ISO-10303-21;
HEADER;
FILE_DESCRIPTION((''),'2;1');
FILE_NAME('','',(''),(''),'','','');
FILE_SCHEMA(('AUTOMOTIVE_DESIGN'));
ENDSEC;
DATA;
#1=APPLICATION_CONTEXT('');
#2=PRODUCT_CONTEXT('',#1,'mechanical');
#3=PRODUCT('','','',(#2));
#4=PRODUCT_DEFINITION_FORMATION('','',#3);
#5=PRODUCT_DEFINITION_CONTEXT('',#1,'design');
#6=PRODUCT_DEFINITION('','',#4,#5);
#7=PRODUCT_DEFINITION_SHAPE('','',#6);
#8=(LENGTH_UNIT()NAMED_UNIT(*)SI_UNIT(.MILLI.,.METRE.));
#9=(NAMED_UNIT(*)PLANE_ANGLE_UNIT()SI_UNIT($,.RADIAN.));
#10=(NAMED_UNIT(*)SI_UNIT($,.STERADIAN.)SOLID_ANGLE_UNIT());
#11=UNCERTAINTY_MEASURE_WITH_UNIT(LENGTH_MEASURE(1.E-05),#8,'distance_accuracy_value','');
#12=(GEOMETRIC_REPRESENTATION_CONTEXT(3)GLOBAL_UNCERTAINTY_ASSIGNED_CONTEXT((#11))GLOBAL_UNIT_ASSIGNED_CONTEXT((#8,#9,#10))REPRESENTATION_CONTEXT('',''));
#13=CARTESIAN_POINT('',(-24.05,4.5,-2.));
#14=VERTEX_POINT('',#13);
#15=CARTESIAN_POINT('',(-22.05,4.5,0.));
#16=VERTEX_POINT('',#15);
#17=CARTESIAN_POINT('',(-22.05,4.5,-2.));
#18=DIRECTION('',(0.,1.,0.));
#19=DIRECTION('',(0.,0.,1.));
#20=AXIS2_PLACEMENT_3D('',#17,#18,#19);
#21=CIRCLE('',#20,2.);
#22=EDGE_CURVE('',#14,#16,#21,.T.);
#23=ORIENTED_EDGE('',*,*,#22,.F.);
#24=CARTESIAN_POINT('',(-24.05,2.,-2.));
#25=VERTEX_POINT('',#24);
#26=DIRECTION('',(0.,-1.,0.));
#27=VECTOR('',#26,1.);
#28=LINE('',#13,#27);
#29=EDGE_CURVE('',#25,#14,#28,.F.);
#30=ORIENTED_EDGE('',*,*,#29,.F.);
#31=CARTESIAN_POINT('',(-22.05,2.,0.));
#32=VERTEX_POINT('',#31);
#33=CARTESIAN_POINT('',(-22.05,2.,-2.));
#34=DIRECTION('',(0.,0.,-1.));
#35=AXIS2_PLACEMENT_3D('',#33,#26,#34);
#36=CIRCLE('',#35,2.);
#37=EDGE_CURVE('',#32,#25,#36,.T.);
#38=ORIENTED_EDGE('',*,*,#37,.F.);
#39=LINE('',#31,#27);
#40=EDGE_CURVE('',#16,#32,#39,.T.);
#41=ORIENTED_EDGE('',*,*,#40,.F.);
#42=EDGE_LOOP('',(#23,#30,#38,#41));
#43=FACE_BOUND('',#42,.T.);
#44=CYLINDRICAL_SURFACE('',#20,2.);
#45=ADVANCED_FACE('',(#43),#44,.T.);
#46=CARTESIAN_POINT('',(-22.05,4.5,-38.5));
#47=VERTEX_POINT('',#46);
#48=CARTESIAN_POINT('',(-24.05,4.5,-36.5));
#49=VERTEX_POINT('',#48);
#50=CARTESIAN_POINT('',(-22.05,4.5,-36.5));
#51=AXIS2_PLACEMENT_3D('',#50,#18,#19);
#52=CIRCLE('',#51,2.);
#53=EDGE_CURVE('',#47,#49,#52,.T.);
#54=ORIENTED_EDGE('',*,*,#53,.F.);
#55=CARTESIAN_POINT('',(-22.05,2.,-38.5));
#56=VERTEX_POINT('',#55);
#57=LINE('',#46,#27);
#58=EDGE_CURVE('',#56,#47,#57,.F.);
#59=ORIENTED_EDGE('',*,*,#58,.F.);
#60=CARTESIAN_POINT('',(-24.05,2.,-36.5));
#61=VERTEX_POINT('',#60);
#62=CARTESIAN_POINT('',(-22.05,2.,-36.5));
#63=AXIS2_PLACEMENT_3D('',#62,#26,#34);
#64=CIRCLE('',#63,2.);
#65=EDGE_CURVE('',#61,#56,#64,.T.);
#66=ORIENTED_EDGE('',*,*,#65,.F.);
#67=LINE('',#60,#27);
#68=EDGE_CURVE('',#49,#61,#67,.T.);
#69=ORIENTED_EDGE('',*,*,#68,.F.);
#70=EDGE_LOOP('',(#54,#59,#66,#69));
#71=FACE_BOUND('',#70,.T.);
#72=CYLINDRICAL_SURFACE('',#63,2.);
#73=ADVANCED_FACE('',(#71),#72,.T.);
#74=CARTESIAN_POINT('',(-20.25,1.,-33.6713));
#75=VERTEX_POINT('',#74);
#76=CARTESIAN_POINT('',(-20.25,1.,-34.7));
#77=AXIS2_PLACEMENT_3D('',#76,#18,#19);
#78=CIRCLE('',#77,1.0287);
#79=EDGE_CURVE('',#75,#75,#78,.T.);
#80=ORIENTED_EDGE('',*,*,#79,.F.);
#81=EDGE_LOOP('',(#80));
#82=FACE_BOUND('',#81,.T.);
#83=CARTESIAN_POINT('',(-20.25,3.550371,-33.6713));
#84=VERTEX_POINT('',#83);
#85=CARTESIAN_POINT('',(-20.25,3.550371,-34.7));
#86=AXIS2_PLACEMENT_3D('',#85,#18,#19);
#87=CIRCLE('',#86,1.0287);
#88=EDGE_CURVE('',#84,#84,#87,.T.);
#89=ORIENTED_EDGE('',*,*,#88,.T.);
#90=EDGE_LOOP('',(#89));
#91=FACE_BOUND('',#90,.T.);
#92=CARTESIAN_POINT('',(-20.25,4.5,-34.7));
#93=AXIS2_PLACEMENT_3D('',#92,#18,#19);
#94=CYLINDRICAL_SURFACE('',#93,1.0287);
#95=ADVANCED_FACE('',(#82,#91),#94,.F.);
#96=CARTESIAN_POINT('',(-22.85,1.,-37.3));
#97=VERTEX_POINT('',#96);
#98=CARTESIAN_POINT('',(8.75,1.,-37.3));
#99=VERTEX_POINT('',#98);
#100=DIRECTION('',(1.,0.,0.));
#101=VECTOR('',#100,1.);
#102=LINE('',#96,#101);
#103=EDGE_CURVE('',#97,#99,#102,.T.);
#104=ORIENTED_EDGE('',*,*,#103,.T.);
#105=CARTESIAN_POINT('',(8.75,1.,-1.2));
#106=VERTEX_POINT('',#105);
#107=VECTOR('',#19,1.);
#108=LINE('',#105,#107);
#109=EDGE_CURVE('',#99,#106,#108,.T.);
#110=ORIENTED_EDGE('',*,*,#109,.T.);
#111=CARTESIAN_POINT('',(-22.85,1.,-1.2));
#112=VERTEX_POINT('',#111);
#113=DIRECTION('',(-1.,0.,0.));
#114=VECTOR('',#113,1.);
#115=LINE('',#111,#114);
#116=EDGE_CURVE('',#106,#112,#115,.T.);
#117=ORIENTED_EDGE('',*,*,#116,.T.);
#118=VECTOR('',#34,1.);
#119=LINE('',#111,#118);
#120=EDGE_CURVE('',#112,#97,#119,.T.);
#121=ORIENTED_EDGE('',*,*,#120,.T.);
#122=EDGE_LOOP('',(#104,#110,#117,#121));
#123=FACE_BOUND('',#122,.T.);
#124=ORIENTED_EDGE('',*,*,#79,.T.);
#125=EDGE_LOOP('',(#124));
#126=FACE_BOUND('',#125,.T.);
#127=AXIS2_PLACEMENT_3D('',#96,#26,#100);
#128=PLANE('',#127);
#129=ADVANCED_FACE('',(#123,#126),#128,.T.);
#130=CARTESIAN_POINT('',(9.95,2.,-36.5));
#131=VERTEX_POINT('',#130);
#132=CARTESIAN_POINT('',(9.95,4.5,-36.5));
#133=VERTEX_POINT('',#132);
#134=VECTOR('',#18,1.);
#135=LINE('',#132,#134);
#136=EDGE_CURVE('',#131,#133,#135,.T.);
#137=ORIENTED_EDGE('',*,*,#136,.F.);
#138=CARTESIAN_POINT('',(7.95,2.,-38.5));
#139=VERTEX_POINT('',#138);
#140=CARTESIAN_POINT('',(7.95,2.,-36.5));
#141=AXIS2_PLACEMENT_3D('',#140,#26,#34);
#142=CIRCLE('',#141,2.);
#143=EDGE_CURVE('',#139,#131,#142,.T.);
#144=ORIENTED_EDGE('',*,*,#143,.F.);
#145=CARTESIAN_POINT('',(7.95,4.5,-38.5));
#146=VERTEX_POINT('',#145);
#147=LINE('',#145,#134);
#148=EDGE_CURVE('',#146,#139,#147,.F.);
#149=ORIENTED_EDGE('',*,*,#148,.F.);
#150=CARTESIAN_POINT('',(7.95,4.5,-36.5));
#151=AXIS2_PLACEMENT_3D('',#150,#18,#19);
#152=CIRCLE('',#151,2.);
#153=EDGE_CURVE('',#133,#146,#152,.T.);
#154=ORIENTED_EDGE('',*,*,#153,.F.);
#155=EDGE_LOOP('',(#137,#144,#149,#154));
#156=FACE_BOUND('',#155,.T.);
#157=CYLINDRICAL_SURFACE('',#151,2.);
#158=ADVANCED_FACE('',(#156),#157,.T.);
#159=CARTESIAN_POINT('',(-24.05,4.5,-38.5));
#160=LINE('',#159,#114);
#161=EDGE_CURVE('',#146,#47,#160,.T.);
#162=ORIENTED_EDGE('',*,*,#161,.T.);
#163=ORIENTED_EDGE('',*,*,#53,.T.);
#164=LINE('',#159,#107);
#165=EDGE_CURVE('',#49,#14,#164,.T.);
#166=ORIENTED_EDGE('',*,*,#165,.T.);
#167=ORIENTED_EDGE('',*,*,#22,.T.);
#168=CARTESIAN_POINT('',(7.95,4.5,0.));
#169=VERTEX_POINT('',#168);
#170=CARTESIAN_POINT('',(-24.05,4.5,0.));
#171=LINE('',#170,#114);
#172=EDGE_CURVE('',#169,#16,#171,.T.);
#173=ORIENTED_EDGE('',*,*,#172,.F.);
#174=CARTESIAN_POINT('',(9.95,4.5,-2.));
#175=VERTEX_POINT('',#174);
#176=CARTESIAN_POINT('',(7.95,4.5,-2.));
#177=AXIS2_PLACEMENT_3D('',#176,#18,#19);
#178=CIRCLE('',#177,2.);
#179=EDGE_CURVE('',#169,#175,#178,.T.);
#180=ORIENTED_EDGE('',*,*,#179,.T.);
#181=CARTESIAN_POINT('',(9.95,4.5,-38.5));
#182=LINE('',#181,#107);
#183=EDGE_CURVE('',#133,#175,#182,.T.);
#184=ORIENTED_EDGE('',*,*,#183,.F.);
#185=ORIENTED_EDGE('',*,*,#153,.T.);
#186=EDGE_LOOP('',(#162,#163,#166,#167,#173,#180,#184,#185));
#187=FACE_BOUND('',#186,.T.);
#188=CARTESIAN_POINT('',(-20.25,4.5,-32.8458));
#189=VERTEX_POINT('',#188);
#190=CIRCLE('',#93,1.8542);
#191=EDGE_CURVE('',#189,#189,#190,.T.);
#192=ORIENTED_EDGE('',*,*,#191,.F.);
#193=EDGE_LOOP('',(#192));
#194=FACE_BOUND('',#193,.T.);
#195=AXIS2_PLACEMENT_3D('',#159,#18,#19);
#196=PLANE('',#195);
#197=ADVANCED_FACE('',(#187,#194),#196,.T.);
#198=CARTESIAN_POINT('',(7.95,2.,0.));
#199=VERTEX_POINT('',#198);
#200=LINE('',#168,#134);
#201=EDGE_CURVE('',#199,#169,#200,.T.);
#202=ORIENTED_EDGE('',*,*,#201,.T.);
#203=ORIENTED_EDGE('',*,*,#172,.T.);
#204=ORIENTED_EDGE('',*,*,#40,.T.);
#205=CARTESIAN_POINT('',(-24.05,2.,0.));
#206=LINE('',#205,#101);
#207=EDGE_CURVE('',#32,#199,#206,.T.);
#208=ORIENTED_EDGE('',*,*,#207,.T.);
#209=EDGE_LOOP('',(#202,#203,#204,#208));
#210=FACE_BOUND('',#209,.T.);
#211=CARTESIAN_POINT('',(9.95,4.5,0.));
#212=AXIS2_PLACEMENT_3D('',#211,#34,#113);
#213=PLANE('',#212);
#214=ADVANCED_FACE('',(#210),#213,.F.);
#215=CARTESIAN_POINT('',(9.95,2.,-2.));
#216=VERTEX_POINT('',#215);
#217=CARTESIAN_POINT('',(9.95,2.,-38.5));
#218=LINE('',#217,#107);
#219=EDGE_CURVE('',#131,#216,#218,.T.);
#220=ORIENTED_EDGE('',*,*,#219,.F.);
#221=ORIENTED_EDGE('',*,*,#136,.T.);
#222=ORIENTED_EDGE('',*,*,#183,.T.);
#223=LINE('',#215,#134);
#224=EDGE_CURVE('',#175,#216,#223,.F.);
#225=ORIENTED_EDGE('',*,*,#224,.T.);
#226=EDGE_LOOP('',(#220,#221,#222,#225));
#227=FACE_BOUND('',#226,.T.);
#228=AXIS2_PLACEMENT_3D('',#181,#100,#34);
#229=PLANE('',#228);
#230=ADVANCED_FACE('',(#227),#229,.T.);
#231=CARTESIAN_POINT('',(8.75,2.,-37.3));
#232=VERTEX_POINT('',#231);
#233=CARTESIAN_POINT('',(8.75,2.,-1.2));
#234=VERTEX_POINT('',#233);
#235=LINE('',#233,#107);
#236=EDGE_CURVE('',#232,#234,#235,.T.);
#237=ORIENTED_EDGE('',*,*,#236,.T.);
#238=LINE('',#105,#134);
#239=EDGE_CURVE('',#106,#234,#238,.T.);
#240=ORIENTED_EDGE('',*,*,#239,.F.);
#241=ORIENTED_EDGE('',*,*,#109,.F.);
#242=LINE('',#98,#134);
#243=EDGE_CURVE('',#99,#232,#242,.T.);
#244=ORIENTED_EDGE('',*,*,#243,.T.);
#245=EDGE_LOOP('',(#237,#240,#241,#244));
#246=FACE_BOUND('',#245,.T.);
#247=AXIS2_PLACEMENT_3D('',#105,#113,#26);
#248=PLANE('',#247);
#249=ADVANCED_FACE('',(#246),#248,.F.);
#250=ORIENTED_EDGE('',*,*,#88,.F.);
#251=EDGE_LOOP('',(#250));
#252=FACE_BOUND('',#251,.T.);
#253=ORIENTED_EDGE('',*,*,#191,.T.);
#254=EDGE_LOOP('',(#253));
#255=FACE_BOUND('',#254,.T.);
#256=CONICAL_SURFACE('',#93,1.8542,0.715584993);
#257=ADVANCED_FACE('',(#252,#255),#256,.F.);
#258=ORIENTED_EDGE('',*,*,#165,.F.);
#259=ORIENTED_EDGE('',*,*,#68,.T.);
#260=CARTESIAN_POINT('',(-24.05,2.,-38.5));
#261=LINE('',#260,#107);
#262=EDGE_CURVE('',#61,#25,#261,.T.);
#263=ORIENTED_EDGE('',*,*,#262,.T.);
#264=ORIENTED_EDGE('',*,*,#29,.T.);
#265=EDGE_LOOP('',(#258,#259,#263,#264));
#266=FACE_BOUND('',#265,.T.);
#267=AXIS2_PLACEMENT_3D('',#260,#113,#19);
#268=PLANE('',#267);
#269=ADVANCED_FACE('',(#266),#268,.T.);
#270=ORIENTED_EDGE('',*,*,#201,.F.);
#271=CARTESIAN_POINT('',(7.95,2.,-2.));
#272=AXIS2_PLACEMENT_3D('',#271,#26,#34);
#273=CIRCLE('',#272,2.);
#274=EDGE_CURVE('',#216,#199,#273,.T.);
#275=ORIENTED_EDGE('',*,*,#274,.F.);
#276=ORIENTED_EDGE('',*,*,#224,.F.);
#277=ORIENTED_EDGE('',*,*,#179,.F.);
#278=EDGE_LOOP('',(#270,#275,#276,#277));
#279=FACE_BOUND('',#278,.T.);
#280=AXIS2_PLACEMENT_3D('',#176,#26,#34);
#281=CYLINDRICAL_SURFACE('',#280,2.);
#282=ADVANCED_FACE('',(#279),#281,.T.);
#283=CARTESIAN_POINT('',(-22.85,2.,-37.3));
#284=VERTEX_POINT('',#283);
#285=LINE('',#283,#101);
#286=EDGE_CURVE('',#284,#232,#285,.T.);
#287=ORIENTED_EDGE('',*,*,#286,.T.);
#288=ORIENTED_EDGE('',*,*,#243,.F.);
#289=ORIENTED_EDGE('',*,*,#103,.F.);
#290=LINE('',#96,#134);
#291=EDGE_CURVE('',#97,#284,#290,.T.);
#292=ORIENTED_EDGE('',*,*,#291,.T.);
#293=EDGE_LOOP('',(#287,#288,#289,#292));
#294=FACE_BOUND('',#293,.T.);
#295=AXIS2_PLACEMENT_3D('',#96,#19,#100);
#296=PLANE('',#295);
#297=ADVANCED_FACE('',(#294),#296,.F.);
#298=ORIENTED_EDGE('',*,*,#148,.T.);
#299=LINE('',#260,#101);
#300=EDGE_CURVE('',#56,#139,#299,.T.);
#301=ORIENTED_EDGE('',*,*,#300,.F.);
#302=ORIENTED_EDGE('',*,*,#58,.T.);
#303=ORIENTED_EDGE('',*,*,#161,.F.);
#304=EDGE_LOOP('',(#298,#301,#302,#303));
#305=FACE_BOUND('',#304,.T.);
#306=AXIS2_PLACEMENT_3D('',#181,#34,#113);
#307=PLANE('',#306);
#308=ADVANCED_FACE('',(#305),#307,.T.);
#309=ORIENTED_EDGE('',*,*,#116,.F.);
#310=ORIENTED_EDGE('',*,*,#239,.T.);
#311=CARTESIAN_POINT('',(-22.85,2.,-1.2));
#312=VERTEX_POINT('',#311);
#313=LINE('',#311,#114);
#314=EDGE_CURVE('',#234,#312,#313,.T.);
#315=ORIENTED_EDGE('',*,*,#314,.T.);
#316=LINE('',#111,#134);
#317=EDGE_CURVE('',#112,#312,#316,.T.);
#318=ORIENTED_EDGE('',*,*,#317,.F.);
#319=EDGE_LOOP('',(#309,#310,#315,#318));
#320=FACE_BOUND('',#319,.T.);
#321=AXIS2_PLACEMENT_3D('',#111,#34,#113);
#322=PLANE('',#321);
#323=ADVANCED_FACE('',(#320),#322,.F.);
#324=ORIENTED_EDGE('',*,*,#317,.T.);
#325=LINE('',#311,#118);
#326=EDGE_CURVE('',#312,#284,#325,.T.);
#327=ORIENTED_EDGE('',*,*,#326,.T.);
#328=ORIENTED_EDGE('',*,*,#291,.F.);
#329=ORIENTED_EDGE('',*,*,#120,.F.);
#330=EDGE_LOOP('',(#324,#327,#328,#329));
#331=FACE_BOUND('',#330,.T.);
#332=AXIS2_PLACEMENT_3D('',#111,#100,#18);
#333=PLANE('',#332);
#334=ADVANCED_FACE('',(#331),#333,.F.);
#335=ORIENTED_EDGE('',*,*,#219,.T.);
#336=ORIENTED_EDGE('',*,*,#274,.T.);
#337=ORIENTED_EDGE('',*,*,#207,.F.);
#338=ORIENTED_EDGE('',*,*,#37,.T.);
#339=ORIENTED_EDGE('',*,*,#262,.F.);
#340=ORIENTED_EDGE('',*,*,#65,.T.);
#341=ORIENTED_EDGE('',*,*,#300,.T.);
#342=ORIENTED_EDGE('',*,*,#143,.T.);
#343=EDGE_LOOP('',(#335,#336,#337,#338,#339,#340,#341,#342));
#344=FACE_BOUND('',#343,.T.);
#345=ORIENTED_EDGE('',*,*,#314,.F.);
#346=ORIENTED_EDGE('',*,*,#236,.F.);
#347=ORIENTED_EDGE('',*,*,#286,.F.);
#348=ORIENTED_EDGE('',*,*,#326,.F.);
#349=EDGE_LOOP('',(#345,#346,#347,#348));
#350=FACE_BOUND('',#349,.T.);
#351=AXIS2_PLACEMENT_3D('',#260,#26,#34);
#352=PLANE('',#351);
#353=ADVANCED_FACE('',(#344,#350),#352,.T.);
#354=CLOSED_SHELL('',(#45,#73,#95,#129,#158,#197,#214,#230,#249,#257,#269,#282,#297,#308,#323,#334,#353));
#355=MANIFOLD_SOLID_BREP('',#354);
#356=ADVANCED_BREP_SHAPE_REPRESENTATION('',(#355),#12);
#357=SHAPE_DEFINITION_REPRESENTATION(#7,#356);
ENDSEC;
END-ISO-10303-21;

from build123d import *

# Parameters (mm, degrees)
SKETCH1_W                                      = 34
SKETCH1_H                                      = 2.5
EXTRUDE1_DEPTH                                 = 38.5
FILLET1_R                                      = 2
SKETCH2_W                                      = 31.6
SKETCH2_H                                      = 36.1
EXTRUDE2_DEPTH                                 = 1
CSK_FOR_1_FLAT_HEAD_MACHINE_SCREW1_D           = 2.0574
CSK_FOR_1_FLAT_HEAD_MACHINE_SCREW1_CSINK_D     = 3.7084
CSK_FOR_1_FLAT_HEAD_MACHINE_SCREW1_CSINK_ANGLE = 82


with BuildPart() as part:
    # Sketch1 → Extrude1 (new body)
    with BuildSketch(Plane.XY):
        with Locations((-7.05, 3.25)):
            Rectangle(SKETCH1_W, SKETCH1_H)
    extrude(amount=-EXTRUDE1_DEPTH)

    # Fillet1
    fillet1_edges = [part.edges().sort_by_distance(p)[0] for p in [
        (9.95, 3.25, -38.5),
        (9.95, 3.25, 0),
        (-24.05, 3.25, 0),
        (-24.05, 3.25, -38.5),
    ]]
    fillet(fillet1_edges, radius=FILLET1_R)

    # Sketch2 → Extrude2 (add)
    with BuildSketch(Plane.XZ.offset(-2)):
        with Locations((-7.05, -19.25)):
            Rectangle(SKETCH2_W, SKETCH2_H)
    extrude(amount=EXTRUDE2_DEPTH)

    # CSK for #1 Flat Head Machine Screw1 (through all)
    with Locations(Plane(origin=(-20.25, 4.5, -34.7), x_dir=(0, 0, 1), z_dir=(0, 1, 0))):
        with Locations((0, 0)):
            CounterSinkHole(CSK_FOR_1_FLAT_HEAD_MACHINE_SCREW1_D / 2, CSK_FOR_1_FLAT_HEAD_MACHINE_SCREW1_CSINK_D / 2, counter_sink_angle=CSK_FOR_1_FLAT_HEAD_MACHINE_SCREW1_CSINK_ANGLE)


solid = part.part
